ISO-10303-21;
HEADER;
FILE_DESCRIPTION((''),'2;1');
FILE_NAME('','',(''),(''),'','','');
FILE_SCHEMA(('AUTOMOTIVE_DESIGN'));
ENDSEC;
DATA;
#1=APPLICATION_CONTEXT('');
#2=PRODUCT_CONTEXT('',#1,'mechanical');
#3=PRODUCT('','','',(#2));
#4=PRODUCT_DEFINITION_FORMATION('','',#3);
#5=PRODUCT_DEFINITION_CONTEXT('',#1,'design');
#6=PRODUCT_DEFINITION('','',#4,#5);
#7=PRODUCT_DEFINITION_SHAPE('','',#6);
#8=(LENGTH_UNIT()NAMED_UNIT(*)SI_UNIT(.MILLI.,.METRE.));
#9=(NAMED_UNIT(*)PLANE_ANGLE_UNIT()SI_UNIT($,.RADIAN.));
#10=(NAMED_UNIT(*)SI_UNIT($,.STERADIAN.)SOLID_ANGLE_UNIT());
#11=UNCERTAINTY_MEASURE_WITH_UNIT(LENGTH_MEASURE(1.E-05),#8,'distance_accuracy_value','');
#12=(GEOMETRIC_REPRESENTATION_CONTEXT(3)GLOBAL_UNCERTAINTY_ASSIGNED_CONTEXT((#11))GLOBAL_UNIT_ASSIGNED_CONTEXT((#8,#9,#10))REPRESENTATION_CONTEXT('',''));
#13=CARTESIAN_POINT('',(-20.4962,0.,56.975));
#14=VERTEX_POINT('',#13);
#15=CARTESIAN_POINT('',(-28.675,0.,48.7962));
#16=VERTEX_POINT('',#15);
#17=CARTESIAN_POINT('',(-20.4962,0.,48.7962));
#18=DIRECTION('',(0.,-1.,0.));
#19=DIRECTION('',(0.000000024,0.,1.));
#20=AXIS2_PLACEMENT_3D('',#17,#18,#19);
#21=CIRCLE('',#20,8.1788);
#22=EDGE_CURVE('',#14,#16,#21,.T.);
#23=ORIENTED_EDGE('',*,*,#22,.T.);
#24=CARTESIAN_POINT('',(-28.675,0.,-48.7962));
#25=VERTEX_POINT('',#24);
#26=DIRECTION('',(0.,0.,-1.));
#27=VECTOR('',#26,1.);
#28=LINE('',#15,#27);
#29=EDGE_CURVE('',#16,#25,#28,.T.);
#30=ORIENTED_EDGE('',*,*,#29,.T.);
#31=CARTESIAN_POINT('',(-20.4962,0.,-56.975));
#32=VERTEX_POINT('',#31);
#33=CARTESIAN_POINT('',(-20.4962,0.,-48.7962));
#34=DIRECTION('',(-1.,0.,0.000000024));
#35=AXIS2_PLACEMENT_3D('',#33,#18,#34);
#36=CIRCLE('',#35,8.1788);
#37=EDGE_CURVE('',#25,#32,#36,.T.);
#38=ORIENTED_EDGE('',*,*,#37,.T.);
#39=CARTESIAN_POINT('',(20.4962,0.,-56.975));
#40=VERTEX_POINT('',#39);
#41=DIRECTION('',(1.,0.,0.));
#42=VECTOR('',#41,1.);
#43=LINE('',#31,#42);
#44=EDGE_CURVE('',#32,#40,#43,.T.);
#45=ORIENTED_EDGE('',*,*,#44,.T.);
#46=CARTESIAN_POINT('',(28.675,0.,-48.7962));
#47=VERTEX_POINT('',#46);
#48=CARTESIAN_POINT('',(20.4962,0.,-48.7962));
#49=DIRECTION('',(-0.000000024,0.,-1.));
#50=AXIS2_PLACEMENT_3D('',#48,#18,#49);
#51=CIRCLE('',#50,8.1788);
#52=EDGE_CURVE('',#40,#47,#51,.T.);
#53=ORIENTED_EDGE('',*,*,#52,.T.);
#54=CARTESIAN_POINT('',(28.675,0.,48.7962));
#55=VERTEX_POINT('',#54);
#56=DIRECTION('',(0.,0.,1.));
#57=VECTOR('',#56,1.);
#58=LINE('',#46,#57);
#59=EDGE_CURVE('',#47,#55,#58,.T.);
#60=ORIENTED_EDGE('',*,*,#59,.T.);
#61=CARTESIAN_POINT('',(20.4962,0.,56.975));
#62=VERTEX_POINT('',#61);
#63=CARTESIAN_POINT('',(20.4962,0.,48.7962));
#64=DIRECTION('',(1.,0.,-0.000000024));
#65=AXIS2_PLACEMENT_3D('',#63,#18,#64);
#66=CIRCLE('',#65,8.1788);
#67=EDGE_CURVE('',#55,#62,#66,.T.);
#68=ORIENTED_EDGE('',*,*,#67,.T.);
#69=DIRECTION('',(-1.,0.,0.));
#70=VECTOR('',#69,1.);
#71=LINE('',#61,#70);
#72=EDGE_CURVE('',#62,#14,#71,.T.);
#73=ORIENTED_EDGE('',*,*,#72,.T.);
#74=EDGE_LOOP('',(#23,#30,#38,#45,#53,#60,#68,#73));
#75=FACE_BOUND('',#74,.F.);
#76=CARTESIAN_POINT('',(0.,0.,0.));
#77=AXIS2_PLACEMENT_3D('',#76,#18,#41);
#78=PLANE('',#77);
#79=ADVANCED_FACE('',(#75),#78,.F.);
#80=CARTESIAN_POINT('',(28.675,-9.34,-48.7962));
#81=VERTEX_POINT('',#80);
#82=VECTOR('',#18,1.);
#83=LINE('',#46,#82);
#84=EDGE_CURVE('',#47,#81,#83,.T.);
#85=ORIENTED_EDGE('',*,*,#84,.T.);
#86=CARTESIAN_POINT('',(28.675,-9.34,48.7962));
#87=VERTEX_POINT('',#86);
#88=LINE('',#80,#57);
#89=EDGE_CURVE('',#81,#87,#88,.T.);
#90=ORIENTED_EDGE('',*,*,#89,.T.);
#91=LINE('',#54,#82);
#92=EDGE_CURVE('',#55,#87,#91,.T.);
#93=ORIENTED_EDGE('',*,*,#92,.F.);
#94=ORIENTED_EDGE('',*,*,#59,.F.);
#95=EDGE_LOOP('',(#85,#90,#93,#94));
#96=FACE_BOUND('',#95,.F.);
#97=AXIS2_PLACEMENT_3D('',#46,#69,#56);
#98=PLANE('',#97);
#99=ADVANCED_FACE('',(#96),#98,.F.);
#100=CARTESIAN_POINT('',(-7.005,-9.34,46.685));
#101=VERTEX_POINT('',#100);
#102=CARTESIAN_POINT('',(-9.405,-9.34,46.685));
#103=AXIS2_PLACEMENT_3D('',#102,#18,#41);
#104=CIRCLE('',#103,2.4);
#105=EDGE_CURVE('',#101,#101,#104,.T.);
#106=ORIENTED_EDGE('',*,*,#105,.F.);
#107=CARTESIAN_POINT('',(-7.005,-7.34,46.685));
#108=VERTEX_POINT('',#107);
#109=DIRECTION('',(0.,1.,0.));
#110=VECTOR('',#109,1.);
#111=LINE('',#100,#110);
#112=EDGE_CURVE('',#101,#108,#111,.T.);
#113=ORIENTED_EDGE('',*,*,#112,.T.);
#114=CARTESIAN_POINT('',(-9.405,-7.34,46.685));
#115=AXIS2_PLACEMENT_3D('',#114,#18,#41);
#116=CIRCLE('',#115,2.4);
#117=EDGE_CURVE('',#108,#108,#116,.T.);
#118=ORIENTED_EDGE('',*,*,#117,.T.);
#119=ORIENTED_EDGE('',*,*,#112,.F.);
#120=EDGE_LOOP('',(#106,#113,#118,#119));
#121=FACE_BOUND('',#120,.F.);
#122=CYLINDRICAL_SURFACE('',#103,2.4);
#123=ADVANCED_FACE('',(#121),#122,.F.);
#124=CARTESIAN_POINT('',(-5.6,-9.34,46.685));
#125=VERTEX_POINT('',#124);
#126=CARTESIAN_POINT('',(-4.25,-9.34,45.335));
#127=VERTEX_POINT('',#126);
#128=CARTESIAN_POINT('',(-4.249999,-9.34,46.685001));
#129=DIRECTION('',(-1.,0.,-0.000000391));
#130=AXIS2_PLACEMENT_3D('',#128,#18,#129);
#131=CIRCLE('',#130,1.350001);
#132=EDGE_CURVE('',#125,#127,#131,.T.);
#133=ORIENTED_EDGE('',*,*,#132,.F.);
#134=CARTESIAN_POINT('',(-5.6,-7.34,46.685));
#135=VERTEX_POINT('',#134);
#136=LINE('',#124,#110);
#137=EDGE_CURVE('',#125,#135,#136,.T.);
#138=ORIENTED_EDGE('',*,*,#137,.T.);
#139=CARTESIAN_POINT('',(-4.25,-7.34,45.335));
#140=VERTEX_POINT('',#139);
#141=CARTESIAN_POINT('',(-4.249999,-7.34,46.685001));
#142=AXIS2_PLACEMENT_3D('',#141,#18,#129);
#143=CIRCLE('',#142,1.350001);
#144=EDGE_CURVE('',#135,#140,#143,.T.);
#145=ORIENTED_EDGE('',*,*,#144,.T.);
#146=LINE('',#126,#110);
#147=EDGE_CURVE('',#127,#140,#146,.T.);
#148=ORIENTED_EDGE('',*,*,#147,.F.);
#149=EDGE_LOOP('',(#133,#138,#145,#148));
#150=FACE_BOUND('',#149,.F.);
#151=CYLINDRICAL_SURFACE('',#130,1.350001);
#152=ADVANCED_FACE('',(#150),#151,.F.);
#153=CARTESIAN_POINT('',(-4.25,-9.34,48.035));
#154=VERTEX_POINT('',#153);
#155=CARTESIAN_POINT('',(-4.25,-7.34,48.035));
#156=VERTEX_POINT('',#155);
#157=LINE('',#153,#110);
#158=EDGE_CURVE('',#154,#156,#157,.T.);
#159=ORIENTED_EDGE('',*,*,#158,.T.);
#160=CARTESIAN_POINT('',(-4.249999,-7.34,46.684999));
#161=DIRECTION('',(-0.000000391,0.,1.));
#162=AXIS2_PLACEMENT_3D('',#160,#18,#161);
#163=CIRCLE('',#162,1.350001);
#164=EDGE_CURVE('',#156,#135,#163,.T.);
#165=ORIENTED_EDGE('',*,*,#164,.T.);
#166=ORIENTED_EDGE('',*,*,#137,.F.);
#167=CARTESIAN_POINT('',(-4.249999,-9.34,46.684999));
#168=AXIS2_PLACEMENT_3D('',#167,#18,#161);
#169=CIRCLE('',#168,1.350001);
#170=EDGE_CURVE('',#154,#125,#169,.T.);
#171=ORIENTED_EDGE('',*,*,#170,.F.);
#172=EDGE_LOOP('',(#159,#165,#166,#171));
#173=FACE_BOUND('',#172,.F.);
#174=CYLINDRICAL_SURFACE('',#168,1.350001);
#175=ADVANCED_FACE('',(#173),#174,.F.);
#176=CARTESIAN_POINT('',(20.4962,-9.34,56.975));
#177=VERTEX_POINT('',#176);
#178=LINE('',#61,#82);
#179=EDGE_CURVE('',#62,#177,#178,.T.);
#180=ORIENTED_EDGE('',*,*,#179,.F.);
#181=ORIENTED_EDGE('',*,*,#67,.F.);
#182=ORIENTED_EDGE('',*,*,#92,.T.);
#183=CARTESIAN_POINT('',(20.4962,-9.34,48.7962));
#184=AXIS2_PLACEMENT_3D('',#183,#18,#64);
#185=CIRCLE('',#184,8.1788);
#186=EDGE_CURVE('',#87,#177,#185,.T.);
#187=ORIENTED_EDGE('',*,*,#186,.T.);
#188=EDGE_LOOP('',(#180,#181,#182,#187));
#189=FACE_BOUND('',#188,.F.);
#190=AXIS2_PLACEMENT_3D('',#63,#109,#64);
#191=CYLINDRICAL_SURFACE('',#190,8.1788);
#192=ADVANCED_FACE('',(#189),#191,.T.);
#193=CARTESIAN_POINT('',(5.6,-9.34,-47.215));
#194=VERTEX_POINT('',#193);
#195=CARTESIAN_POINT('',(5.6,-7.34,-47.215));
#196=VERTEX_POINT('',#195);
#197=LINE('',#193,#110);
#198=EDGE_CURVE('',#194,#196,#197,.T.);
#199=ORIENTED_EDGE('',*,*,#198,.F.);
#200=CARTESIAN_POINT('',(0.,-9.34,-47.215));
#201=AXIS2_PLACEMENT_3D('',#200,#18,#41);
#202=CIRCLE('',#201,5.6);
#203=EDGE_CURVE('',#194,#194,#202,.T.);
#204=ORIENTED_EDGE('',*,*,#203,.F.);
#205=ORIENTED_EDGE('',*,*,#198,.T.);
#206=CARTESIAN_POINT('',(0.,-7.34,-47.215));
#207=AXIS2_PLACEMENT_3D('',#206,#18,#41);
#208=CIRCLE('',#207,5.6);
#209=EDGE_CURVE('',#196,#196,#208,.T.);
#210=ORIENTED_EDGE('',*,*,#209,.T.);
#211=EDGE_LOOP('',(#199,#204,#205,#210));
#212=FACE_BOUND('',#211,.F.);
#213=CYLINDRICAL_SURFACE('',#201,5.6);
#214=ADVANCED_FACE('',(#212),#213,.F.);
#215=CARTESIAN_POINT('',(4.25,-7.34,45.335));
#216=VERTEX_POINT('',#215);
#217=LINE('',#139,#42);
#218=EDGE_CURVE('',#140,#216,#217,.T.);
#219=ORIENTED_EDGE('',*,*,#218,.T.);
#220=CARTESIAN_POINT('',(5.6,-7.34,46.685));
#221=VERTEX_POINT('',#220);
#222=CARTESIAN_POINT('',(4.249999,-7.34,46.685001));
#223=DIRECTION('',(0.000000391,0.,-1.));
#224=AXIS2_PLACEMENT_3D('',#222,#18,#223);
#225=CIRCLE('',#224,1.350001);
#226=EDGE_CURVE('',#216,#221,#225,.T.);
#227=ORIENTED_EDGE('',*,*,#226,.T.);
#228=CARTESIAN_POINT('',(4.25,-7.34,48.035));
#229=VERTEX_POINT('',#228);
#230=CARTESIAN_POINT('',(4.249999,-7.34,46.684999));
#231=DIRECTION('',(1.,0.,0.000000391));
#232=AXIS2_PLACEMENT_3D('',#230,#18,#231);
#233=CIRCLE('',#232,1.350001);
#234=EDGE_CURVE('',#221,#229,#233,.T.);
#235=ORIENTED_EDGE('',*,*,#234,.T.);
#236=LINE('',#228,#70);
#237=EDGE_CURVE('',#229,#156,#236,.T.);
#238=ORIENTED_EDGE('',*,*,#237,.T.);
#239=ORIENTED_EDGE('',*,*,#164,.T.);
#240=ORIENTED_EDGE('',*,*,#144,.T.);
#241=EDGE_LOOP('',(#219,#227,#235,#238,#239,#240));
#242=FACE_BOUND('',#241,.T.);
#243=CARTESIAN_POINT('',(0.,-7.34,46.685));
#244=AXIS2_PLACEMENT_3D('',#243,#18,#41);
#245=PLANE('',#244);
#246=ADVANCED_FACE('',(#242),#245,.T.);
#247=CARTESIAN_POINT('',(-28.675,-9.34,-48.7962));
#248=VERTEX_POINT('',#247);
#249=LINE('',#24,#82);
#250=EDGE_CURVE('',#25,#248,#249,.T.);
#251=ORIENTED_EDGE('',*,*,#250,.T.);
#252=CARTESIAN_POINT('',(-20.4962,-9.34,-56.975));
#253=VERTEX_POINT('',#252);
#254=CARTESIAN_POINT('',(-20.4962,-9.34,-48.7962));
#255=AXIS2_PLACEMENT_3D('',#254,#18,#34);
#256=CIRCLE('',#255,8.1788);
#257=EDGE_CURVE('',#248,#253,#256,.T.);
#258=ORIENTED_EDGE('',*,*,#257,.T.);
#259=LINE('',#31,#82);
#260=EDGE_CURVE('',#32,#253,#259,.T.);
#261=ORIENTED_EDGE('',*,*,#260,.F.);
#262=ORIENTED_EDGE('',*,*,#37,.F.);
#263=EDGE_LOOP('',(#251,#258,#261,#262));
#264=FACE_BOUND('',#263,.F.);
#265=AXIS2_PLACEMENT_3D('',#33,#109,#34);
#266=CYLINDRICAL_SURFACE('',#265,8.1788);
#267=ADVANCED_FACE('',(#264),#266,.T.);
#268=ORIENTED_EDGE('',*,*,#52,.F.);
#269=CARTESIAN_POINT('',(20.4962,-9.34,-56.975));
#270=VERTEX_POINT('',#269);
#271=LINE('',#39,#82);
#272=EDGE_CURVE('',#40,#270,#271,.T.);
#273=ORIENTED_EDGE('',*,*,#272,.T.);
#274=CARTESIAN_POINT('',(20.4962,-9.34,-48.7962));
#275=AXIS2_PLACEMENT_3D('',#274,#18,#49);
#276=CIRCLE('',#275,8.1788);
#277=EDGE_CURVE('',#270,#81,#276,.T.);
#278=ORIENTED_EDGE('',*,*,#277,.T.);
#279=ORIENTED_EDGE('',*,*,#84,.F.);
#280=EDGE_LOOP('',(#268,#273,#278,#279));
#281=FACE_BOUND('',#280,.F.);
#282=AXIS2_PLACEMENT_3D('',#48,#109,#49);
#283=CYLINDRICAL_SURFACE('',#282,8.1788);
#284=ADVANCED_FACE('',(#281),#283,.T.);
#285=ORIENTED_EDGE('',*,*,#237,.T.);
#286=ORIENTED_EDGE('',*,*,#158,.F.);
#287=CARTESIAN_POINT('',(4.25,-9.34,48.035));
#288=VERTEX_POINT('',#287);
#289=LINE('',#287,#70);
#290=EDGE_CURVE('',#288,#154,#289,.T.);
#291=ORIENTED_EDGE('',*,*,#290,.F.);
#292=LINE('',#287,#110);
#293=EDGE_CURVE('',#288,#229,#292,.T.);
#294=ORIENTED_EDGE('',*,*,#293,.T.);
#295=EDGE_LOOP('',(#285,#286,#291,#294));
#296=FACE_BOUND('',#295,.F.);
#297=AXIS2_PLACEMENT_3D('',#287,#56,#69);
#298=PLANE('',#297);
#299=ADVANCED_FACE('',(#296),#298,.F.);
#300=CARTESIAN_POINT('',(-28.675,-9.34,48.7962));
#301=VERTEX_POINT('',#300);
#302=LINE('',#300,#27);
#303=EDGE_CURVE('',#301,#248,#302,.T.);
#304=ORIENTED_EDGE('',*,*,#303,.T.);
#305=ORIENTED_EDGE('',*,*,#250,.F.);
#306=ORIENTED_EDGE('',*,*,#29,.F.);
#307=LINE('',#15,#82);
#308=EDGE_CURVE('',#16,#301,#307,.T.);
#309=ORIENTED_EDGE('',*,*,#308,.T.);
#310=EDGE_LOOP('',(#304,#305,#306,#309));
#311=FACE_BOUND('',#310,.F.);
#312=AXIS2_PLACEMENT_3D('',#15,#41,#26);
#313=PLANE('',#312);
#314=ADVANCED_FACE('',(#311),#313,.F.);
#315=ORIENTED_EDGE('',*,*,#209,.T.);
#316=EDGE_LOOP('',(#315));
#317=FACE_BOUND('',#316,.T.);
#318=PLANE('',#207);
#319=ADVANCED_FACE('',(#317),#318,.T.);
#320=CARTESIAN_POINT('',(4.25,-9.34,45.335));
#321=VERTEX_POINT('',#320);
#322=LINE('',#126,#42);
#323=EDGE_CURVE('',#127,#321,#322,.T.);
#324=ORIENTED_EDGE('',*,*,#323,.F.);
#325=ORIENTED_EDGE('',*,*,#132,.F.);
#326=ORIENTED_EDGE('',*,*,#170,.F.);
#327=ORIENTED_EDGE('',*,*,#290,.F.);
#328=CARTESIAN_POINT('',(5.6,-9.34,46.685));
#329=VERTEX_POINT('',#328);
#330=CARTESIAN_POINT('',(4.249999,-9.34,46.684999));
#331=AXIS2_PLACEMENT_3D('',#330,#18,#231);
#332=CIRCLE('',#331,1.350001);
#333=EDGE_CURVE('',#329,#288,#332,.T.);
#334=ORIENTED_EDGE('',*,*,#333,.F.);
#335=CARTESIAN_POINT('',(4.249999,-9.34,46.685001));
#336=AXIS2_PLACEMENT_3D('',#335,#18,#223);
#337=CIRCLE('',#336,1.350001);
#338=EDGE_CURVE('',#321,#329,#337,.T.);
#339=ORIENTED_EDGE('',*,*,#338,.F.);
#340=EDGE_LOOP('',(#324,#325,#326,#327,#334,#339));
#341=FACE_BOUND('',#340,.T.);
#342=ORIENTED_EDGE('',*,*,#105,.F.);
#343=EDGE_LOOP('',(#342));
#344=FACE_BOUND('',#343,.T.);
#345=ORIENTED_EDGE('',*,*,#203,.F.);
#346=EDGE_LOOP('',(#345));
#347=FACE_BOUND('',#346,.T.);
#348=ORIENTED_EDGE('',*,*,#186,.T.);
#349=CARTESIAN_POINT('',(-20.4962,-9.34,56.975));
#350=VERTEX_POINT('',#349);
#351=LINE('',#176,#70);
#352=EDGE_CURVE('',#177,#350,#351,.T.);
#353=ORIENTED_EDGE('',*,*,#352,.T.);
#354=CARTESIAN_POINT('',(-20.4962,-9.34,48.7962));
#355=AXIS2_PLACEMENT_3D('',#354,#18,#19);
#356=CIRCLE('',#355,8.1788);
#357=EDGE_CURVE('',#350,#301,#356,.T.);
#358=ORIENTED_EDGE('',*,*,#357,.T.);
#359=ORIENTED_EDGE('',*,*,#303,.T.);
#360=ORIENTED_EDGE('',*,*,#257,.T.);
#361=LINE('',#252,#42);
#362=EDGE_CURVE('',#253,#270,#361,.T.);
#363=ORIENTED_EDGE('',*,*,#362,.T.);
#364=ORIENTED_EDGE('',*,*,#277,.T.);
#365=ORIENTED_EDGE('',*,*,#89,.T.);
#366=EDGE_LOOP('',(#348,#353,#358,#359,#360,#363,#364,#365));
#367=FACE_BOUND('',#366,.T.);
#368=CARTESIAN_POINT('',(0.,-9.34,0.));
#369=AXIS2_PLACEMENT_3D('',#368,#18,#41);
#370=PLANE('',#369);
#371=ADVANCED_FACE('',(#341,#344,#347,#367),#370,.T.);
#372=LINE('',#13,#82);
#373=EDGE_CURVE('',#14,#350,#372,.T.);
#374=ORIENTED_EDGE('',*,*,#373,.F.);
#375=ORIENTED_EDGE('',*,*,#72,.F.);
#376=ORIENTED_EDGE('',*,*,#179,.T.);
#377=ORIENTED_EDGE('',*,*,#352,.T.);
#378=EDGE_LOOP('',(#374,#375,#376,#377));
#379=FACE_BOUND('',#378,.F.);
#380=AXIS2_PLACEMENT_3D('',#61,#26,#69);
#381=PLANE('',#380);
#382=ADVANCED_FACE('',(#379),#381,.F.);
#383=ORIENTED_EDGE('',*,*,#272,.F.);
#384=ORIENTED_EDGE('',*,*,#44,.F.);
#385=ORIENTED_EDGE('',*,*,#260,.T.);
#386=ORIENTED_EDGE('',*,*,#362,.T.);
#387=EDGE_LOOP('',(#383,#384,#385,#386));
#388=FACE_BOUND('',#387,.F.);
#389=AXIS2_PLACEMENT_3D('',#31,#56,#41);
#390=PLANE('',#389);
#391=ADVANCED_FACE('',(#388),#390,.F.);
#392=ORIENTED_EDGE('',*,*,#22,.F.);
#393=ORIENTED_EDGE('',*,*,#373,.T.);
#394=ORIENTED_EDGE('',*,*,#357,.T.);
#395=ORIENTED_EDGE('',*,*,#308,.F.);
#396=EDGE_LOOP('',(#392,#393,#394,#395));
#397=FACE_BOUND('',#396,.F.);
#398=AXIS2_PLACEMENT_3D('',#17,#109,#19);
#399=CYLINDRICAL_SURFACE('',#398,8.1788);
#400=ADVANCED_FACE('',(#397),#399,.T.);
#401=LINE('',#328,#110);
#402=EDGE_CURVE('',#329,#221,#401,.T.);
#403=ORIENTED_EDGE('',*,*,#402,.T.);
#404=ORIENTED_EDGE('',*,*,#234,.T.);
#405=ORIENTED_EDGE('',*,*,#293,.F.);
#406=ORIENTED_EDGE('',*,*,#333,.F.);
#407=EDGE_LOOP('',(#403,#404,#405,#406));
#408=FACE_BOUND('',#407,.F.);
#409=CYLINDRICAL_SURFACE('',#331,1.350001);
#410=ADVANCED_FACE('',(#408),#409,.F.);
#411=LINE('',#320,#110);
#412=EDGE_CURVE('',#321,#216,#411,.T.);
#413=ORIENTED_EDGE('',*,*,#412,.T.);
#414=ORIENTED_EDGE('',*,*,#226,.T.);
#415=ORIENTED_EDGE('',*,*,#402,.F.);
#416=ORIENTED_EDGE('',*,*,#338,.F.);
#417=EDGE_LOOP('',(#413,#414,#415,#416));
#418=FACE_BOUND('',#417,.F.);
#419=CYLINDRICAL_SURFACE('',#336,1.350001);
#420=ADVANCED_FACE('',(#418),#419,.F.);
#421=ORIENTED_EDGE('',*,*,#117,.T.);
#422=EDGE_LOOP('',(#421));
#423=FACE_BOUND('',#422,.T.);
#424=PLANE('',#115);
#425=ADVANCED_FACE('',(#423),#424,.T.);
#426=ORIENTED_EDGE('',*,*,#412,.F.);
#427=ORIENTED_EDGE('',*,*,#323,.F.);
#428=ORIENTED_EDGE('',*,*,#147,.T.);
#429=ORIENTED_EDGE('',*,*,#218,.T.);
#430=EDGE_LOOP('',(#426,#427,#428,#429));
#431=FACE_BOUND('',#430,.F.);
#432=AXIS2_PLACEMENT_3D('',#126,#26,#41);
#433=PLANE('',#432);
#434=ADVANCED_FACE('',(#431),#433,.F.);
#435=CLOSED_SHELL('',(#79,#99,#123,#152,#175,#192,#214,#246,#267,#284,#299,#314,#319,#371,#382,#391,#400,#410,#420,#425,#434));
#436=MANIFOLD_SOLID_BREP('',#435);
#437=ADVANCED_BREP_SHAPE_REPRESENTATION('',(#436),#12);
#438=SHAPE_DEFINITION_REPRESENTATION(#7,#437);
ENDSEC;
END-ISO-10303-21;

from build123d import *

# Parameters (mm, degrees)
F1_DEPTH = 9.34
F2_R     = 2.4
F2_R_2   = 5.6
F3_DEPTH = 2


with BuildPart() as f1:
    # F0 (on Front) → F1 (new body)
    with BuildSketch(Plane.XZ):
        with BuildLine():
            ThreePointArc((28.675, 48.7962), (26.279485, 54.579485), (20.4962, 56.975))
            Line((20.4962, 56.975), (-20.4962, 56.975))
            ThreePointArc((-20.4962, 56.975), (-26.279485, 54.579485), (-28.675, 48.7962))
            Line((-28.675, 48.7962), (-28.675, -48.7962))
            ThreePointArc((-28.675, -48.7962), (-26.279485, -54.579485), (-20.4962, -56.975))
            Line((-20.4962, -56.975), (20.4962, -56.975))
            ThreePointArc((20.4962, -56.975), (26.279485, -54.579485), (28.675, -48.7962))
            Line((28.675, -48.7962), (28.675, 48.7962))
        make_face()
    extrude(amount=F1_DEPTH)

    # F2 (on face) → F3 (cut)
    with BuildSketch(Plane.XZ.offset(9.34)):
        with Locations((-9.405, 46.685)):
            Circle(F2_R)
        with BuildLine():
            Line((-4.25, 45.335), (4.25, 45.335))
            ThreePointArc((4.25, 45.335), (5.204594, 45.730406), (5.6, 46.685))
            ThreePointArc((5.6, 46.685), (5.204594, 47.639594), (4.25, 48.035))
            Line((4.25, 48.035), (-4.25, 48.035))
            ThreePointArc((-4.25, 48.035), (-5.204594, 47.639594), (-5.6, 46.685))
            ThreePointArc((-5.6, 46.685), (-5.204594, 45.730406), (-4.25, 45.335))
        make_face()
        with Locations((0, -47.215)):
            Circle(F2_R_2)
    extrude(amount=-F3_DEPTH, mode=Mode.SUBTRACT)


solid = f1.part
